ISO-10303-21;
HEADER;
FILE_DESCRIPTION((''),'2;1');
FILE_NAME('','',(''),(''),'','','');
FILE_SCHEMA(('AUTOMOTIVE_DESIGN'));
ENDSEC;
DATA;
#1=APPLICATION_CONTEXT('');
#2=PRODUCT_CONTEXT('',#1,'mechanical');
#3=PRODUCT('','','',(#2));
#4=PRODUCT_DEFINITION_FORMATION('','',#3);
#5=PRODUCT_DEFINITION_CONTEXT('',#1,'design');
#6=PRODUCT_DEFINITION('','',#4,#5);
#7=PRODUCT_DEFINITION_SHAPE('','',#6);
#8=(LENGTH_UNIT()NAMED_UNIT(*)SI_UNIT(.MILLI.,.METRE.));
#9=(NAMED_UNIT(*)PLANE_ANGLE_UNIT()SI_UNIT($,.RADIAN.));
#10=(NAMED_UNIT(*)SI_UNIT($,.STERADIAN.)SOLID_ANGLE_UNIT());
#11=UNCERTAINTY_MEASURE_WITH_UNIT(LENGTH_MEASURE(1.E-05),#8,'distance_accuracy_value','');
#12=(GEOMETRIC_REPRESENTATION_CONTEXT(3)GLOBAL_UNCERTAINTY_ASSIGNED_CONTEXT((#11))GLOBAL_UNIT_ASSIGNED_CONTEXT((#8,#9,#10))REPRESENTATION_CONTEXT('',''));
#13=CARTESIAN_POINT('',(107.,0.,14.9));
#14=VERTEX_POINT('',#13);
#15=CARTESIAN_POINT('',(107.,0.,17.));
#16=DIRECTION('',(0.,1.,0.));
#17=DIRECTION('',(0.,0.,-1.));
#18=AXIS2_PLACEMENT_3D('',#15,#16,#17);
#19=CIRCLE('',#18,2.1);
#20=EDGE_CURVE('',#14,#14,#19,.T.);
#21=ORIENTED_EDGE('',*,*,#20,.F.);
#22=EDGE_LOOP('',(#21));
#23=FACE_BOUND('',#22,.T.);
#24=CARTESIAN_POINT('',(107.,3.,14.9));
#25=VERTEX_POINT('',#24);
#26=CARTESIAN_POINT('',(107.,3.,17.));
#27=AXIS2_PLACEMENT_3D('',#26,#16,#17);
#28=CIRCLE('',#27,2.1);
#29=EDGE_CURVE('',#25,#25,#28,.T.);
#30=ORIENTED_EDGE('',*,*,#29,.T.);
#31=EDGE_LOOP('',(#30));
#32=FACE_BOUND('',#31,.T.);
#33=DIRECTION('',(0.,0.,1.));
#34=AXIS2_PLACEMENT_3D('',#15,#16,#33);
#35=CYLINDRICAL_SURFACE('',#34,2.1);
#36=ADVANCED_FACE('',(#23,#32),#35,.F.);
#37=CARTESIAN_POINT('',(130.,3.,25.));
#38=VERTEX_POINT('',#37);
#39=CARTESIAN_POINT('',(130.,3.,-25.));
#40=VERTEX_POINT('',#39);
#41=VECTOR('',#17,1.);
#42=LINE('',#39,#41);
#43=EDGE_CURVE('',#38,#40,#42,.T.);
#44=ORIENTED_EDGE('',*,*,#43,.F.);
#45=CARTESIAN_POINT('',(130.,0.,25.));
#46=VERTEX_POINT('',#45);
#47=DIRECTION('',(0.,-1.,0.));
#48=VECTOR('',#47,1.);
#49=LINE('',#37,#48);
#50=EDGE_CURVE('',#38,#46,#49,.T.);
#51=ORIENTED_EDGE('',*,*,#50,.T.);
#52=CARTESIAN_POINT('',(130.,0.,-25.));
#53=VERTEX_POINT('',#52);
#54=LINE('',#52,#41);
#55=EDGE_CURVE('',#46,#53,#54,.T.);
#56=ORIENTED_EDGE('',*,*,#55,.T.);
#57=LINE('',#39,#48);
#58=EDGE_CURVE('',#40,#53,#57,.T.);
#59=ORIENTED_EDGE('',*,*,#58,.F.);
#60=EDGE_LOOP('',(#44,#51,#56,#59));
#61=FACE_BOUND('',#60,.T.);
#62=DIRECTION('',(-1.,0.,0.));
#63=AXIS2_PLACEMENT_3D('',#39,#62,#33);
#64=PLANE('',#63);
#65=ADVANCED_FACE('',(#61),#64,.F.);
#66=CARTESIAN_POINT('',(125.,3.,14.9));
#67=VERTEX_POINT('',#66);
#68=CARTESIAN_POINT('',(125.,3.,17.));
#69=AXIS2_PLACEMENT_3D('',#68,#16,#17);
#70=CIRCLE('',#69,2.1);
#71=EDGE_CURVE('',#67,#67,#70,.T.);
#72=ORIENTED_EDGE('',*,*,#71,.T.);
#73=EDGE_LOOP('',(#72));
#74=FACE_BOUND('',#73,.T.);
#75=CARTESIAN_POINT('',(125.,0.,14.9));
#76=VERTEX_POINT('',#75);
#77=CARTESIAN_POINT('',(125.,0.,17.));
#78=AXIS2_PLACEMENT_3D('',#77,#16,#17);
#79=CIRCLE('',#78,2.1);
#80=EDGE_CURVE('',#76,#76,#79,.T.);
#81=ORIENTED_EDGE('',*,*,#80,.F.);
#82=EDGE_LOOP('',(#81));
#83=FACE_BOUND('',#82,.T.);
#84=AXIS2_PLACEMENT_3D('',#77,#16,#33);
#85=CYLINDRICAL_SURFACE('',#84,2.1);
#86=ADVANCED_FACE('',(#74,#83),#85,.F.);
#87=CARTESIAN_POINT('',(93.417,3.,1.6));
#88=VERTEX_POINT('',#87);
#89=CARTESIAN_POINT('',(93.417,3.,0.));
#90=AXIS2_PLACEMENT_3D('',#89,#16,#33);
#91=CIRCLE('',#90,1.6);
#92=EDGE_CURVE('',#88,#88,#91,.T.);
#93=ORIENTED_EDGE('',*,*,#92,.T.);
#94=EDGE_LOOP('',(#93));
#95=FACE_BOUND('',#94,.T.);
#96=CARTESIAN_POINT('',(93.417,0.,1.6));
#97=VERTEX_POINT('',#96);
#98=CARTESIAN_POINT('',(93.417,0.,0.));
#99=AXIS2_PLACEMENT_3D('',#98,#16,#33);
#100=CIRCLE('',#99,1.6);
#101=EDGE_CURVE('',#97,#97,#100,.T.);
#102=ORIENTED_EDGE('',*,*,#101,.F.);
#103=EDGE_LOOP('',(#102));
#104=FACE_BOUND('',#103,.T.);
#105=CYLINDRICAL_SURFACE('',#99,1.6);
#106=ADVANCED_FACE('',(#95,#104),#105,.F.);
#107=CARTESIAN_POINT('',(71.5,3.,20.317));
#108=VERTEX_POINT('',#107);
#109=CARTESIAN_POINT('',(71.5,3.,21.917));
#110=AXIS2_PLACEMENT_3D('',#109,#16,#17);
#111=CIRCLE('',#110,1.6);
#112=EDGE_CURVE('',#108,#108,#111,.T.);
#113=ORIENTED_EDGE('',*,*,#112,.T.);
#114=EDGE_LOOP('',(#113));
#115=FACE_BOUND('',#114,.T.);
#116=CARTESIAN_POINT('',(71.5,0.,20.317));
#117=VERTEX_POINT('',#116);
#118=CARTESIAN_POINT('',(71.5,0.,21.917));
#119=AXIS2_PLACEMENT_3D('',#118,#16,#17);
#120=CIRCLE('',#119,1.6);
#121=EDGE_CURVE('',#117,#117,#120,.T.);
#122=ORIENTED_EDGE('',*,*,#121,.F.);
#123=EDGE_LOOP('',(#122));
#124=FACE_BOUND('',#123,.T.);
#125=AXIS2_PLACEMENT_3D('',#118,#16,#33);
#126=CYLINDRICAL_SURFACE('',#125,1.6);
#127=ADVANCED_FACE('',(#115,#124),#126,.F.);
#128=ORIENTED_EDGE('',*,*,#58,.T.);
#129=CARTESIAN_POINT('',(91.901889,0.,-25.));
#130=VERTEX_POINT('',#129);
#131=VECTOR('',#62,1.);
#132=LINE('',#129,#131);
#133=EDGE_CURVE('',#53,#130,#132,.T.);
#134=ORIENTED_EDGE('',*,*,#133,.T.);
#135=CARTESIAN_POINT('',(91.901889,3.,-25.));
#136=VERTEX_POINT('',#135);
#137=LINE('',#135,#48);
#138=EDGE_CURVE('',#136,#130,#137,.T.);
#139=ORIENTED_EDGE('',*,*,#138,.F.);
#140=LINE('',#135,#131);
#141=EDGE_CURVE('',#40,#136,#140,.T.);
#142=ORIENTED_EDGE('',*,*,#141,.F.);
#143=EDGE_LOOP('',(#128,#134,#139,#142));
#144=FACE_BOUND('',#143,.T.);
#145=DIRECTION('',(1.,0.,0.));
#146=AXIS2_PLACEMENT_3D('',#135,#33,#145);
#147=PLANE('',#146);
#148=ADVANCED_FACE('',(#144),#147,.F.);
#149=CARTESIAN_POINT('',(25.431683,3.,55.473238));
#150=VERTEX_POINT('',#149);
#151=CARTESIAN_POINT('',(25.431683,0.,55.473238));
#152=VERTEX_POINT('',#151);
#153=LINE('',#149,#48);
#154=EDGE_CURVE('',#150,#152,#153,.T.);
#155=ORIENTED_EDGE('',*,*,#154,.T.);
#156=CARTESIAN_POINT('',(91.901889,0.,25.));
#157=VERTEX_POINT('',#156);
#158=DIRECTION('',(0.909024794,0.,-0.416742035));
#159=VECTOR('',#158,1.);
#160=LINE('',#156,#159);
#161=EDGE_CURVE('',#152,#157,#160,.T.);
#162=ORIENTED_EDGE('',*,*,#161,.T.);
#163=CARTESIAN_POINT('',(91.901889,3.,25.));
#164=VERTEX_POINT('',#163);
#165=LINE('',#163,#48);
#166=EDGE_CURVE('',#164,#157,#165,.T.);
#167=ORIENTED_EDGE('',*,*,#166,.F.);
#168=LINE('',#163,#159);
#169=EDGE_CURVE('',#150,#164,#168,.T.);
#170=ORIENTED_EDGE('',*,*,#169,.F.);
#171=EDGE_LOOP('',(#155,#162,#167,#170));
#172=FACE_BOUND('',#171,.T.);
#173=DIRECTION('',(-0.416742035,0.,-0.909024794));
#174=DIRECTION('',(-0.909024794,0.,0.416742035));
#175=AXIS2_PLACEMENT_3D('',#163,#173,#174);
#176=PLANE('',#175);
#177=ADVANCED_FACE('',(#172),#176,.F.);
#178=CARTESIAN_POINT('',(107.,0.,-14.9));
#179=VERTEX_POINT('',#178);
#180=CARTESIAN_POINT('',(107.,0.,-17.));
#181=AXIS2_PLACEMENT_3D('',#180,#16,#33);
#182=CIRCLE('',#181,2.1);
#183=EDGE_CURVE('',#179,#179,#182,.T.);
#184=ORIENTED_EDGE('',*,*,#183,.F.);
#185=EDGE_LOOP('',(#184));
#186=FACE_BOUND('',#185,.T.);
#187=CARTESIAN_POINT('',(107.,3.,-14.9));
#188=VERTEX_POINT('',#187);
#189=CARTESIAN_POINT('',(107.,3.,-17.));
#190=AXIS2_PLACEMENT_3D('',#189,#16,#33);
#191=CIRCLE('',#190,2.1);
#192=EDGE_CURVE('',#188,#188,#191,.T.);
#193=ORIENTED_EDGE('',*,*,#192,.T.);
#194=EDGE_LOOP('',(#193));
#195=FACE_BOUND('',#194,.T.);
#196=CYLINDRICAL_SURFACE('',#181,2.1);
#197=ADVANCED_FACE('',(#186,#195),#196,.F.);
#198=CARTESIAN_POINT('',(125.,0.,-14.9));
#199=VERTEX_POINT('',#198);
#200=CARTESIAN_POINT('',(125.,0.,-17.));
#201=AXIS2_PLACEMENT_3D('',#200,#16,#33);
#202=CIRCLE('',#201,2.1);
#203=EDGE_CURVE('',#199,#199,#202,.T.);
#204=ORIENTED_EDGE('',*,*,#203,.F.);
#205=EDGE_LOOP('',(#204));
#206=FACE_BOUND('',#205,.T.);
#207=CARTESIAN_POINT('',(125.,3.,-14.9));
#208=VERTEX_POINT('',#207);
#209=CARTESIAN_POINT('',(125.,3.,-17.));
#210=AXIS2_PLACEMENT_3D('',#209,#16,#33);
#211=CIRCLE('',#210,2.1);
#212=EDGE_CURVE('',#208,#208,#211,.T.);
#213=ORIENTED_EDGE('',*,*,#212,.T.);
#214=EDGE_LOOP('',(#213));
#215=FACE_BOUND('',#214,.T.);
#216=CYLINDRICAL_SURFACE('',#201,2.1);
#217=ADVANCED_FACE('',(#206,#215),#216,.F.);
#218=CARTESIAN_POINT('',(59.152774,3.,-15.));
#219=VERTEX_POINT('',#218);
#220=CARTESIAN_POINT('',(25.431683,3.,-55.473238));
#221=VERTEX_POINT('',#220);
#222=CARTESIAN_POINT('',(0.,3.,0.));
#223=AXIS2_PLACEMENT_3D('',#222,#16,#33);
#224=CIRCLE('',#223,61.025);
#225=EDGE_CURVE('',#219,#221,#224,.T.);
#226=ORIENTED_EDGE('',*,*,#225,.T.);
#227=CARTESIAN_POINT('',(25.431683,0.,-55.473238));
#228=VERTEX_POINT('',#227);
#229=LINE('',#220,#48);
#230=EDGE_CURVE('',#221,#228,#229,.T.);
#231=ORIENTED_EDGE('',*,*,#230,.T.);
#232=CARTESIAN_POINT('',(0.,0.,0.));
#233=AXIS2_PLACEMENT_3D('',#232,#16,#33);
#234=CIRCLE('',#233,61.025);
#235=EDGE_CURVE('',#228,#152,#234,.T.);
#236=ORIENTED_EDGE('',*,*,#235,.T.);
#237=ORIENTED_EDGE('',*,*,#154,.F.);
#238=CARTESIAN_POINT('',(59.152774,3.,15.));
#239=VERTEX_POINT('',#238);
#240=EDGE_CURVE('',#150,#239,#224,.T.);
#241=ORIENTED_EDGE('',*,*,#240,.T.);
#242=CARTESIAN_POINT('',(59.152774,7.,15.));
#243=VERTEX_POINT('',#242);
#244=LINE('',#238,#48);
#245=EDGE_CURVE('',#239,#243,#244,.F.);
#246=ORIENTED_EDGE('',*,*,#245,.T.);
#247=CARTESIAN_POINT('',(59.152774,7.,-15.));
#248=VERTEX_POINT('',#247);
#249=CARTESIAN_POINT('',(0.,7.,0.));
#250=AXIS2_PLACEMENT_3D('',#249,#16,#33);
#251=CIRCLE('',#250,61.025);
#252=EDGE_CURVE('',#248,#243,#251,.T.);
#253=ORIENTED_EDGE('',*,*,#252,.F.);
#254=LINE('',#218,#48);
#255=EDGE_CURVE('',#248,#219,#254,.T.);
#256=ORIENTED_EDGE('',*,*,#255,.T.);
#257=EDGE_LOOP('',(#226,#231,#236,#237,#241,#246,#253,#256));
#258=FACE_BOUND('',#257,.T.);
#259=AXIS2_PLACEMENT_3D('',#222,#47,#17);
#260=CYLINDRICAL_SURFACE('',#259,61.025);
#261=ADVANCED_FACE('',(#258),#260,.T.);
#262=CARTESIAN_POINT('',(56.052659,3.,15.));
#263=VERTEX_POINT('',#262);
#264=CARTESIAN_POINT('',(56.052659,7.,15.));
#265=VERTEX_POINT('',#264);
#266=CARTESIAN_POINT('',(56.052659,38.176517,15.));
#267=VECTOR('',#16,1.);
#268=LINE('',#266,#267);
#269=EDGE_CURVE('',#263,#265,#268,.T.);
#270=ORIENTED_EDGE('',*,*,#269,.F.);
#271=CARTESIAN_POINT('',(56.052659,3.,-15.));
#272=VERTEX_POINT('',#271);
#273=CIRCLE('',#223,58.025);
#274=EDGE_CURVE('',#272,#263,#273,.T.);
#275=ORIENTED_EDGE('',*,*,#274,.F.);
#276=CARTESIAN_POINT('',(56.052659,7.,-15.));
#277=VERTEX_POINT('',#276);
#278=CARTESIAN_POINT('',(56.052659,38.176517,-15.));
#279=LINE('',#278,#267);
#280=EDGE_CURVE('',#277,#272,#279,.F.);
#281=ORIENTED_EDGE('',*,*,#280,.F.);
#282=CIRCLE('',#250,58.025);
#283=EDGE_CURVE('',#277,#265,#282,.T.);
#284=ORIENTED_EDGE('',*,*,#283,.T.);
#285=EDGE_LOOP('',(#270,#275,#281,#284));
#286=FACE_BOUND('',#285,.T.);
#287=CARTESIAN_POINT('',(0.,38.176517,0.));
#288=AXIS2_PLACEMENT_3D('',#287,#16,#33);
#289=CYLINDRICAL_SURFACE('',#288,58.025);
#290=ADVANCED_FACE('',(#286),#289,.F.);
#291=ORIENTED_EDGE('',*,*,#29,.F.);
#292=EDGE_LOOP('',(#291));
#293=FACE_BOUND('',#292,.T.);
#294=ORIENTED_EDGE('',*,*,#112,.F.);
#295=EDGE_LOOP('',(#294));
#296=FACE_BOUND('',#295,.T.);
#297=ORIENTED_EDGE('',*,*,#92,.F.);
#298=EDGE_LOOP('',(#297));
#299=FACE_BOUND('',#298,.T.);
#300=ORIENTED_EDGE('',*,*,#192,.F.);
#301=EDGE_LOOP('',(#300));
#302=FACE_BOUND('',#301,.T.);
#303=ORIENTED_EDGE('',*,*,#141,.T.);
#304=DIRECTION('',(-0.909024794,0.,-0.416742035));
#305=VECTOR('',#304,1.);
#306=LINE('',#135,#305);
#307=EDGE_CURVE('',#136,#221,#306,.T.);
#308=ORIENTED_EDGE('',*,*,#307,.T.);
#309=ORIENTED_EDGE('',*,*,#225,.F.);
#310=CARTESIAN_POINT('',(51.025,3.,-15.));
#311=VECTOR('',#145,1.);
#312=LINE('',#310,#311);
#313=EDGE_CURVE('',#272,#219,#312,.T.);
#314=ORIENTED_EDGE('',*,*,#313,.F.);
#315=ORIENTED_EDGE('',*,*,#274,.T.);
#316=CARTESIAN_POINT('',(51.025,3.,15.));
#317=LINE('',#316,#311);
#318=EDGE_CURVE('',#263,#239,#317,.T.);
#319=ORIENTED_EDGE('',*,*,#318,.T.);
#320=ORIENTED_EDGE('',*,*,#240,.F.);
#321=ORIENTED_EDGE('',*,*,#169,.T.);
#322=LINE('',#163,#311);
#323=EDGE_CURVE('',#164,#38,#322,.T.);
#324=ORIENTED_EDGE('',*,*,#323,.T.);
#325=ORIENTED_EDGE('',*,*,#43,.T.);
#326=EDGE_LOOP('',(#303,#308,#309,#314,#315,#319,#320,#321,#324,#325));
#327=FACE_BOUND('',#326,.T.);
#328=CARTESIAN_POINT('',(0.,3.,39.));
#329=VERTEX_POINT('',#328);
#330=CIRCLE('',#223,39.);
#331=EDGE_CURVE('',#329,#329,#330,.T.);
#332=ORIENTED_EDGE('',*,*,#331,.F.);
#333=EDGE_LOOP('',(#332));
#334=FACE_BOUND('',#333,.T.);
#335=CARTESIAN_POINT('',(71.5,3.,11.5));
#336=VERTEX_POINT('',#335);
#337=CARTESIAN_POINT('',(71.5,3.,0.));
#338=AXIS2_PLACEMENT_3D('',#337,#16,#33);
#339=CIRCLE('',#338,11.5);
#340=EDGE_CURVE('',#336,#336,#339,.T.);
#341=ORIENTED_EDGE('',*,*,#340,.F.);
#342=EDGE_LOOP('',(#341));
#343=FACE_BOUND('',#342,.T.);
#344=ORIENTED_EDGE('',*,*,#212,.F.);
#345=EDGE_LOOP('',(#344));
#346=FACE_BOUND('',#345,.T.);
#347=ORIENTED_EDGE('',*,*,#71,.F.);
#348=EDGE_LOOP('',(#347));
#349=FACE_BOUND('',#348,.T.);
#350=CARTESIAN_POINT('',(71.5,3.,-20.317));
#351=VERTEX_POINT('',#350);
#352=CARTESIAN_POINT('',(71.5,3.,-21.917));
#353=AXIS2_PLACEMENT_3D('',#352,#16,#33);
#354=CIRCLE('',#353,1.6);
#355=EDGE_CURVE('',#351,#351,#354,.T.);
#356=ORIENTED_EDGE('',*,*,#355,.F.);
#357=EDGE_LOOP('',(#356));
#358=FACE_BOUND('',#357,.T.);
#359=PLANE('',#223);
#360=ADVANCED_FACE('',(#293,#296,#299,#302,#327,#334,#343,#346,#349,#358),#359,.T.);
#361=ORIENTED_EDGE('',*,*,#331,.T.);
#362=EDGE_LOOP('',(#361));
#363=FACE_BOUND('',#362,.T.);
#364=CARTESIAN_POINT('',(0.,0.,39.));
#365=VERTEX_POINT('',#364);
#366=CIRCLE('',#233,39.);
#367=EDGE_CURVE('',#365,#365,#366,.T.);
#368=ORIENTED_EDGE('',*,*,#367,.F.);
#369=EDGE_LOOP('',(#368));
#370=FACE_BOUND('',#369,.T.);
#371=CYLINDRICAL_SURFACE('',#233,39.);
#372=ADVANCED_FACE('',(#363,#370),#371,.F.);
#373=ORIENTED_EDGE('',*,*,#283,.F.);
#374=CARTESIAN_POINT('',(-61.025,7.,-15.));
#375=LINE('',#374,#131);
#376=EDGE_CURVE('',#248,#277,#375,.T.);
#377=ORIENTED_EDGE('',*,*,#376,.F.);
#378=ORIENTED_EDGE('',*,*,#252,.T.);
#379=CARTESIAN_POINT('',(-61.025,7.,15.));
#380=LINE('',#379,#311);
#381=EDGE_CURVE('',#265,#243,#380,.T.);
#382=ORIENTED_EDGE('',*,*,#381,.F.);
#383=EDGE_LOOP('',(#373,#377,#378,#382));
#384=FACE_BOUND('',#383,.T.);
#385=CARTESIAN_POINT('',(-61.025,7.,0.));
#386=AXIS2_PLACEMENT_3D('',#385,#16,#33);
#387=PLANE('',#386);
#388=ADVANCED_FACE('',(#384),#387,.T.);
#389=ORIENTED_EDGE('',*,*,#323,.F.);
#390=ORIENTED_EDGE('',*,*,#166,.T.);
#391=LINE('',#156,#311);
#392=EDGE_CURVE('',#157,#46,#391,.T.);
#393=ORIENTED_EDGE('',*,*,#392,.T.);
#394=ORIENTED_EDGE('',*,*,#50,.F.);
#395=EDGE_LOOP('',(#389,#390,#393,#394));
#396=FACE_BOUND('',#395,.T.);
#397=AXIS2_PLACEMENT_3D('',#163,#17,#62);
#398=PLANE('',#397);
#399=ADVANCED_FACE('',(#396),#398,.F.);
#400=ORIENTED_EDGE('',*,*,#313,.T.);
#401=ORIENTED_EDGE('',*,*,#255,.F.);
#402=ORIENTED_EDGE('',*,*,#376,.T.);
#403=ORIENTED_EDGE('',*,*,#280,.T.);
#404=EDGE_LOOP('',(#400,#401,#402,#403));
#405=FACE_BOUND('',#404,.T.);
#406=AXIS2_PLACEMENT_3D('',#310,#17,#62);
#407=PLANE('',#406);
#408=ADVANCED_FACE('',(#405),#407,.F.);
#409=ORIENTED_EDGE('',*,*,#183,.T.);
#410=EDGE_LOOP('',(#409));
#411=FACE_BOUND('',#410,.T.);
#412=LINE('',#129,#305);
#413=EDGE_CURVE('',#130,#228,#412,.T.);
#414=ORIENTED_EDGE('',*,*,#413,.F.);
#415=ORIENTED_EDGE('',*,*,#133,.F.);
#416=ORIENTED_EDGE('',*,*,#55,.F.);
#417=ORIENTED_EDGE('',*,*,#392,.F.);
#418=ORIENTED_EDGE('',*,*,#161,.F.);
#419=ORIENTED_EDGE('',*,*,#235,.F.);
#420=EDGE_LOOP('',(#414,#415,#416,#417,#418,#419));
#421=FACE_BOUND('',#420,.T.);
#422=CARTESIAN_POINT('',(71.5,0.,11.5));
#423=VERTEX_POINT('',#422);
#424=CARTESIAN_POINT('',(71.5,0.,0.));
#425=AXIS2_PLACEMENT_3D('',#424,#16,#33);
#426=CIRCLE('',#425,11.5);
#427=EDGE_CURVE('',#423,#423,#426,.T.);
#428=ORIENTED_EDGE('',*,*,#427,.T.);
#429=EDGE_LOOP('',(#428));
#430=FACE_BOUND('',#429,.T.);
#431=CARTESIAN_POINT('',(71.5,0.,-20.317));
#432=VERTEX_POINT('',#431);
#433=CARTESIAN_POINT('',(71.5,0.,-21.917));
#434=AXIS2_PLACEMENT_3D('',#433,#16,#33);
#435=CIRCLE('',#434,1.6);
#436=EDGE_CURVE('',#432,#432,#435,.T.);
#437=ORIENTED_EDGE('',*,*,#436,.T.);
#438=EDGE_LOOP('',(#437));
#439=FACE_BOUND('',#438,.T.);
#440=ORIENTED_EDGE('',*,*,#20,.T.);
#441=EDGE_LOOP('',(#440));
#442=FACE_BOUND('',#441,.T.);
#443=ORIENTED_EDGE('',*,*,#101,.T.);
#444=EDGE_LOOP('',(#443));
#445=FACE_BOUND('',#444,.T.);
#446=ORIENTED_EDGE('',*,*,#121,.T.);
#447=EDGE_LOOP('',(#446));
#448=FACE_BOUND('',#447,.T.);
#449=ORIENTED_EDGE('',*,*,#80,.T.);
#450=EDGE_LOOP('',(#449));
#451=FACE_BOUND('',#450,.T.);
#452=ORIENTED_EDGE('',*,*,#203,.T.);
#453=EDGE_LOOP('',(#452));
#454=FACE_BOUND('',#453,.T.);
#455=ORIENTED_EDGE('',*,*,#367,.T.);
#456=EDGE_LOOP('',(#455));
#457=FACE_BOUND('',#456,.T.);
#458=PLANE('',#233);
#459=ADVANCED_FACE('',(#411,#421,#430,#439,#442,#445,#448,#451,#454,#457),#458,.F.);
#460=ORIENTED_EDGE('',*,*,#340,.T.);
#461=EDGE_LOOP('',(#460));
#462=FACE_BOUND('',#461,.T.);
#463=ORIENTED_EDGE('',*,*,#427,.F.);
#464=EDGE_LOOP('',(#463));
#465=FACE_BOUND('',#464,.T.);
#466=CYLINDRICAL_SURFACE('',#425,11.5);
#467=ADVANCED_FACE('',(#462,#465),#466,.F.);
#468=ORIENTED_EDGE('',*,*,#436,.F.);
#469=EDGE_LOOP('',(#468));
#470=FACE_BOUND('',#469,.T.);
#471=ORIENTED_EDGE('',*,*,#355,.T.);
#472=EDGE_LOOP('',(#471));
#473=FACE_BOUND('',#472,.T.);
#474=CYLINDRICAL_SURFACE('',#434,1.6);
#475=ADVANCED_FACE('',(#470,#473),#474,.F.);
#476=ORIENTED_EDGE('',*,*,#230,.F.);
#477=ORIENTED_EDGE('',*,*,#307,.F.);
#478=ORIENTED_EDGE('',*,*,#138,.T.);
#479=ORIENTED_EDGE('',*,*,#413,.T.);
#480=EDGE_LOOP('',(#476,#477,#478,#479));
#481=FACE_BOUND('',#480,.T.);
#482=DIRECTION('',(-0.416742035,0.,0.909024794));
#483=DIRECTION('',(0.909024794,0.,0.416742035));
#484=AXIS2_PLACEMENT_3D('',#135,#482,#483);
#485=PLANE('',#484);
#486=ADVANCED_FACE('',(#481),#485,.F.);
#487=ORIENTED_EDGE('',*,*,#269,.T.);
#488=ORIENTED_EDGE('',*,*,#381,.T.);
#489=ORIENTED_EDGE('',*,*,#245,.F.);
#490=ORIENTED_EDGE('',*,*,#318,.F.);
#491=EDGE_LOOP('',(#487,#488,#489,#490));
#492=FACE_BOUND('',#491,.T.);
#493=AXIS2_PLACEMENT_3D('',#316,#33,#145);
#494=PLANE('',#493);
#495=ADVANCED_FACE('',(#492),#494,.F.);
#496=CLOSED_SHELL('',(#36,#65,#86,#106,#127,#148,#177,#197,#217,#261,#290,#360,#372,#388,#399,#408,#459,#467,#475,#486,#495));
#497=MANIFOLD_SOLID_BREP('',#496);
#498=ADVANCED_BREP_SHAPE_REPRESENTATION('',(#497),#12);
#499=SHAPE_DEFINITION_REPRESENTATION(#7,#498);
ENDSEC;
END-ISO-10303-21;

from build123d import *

# Parameters (mm, degrees)
EXTRUDE_3_DEPTH     = 3
SKETCH_3_R          = 11.5
SKETCH_3_R_2        = 39
SKETCH_3_R_3        = 1.6
SKETCH_3_R_4        = 2.1
CUT_EXTRUDE_1_DEPTH = 4
SKETCH_4_W          = 3
SKETCH_4_H          = 4
SKETCH_6_W          = 30
SKETCH_6_H          = 10
CUT_EXTRUDE_3_DEPTH = 10


with BuildPart() as part:
    # 草图2 → 凸台-拉伸3 (new body)
    with BuildSketch(Plane(origin=(0, 0, 0), x_dir=(1, 0, 0), z_dir=(0, 1, 0))):
        with BuildLine():
            Line((91.901888805, 25), (25.431682676, 55.473238064))
            ThreePointArc((25.431682676, 55.473238064), (-61.025, 0), (25.431682676, -55.473238064))
            Line((25.431682676, -55.473238064), (91.901888805, -25))
            Line((91.901888805, -25), (130, -25))
            Line((130, -25), (130, 25))
            Line((130, 25), (91.901888805, 25))
        make_face()
    extrude(amount=EXTRUDE_3_DEPTH)

    # 草图3 → 切除-拉伸1 (cut, through all)
    with BuildSketch(Plane(origin=(0, 3, 0), x_dir=(1, 0, 0), z_dir=(0, 1, 0))):
        with Locations((71.5, 0)):
            Circle(SKETCH_3_R)
        Circle(SKETCH_3_R_2)
        with Locations((71.5, 21.917)):
            Circle(SKETCH_3_R_3)
        with Locations((93.417, 0)):
            Circle(SKETCH_3_R_3)
        with Locations((71.5, -21.917)):
            Circle(SKETCH_3_R_3)
        with Locations((125, 17)):
            Circle(SKETCH_3_R_4)
        with Locations((107, 17)):
            Circle(SKETCH_3_R_4)
        with Locations((125, -17)):
            Circle(SKETCH_3_R_4)
        with Locations((107, -17)):
            Circle(SKETCH_3_R_4)
    extrude(amount=-CUT_EXTRUDE_1_DEPTH, mode=Mode.SUBTRACT)

    # 草图4 → 旋转1 (revolve)
    with BuildSketch(Plane.XY):
        with Locations((-59.525, 5)):
            Rectangle(SKETCH_4_W, SKETCH_4_H)
    revolve(axis=Axis((0, 38.176517008, 0), (0, -1, 0)))

    # 草图6 → 切除-拉伸3 (cut)
    with BuildSketch(Plane(origin=(61.025, 0, 0), x_dir=(0, 0, -1), z_dir=(1, 0, 0))):
        with Locations((0, 8)):
            Rectangle(SKETCH_6_W, SKETCH_6_H)
    extrude(amount=-CUT_EXTRUDE_3_DEPTH, mode=Mode.SUBTRACT)


solid = part.part
